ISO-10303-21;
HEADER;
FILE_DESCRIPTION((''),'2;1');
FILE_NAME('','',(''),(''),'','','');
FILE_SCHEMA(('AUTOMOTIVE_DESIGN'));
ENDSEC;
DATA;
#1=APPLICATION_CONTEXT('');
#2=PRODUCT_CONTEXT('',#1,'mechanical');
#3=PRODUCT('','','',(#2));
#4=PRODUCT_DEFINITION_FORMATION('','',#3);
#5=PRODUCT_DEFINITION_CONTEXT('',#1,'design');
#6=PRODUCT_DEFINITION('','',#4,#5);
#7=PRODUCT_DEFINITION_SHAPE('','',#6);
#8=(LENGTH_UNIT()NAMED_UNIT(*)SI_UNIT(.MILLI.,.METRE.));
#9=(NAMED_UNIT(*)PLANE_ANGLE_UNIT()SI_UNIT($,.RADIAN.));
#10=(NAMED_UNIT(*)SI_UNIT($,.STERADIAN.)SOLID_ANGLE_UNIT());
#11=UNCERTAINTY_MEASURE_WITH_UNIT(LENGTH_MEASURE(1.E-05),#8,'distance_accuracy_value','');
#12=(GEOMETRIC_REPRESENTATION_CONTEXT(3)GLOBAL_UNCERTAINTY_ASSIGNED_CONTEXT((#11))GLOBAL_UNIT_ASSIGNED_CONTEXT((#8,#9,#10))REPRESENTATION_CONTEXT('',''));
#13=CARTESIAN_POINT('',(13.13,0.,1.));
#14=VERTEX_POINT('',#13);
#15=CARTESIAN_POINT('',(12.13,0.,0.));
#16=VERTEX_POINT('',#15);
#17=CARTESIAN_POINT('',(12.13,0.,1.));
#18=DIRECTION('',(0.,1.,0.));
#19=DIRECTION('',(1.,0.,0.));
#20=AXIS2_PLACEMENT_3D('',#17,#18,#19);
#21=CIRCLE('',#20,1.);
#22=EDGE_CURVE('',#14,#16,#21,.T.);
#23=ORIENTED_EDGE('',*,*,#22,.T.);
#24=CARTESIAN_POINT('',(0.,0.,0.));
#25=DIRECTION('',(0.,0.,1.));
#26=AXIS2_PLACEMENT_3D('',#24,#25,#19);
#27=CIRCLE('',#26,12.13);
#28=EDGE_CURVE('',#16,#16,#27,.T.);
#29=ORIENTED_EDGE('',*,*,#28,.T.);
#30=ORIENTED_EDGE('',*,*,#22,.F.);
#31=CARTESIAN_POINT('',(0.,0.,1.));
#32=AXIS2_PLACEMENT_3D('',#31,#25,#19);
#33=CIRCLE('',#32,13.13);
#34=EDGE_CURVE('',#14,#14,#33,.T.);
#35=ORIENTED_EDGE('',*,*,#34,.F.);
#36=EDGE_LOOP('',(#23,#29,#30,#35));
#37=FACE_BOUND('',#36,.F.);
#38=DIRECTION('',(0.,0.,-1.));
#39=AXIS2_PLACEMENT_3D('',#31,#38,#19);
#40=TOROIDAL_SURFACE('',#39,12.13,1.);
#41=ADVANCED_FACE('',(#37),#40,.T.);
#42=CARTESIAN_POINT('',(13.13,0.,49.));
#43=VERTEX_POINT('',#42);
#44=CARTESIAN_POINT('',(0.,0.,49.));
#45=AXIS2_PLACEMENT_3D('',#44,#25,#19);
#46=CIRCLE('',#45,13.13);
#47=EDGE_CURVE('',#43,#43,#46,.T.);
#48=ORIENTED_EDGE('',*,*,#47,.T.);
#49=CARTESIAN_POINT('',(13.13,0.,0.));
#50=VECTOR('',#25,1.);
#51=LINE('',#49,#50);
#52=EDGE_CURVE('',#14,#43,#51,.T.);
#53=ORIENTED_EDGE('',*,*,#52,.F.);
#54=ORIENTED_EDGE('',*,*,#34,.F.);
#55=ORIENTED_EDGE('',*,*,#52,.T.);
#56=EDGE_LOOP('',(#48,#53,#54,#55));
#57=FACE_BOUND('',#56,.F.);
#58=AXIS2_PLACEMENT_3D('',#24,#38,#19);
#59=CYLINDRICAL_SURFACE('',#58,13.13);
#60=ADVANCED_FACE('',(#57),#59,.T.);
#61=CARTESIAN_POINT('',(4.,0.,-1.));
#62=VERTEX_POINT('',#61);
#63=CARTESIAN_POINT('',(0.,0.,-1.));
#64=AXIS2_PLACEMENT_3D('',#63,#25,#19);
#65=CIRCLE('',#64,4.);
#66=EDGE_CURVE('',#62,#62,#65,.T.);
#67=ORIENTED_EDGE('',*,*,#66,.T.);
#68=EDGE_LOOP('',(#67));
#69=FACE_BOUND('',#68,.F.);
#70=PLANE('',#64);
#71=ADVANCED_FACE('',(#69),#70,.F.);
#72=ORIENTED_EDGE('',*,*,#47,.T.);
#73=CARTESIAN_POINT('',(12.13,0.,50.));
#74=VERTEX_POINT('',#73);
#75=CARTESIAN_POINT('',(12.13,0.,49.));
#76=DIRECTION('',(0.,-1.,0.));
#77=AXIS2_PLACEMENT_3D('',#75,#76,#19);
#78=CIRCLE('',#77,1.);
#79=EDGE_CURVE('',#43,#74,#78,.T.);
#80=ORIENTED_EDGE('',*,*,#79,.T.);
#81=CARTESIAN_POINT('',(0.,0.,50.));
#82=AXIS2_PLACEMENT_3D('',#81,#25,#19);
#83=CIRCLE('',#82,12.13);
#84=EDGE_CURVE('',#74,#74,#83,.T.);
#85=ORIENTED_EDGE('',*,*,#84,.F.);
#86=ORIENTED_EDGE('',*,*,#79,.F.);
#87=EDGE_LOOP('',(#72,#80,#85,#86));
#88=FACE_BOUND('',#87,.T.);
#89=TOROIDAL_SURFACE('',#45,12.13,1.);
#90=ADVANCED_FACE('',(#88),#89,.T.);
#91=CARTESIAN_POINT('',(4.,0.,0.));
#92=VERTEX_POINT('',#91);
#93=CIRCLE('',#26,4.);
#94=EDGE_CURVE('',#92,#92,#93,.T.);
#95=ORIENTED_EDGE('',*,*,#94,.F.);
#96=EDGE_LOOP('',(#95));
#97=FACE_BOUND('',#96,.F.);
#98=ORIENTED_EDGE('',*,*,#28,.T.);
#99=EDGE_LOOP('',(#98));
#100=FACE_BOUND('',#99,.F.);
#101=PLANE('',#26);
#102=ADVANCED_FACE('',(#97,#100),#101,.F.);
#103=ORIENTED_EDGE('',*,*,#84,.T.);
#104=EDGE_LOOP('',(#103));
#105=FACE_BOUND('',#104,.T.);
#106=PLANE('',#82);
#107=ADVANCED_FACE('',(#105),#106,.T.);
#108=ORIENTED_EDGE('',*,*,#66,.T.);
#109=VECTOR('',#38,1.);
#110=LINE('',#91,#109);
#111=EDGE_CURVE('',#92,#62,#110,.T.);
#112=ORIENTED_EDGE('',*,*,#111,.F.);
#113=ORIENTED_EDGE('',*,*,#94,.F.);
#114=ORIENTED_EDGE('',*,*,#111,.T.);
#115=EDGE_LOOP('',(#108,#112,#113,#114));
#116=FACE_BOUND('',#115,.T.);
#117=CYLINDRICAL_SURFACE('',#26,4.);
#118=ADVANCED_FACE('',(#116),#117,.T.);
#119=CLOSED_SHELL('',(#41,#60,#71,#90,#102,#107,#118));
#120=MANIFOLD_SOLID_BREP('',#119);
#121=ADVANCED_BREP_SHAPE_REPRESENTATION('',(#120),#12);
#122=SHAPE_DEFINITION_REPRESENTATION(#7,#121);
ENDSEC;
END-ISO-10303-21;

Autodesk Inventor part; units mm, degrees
ref_plane "YZ Plane" through (0, 0, 0) normal (1, 0, 0) x (0, 1, 0)
ref_plane "XZ Plane" through (0, 0, 0) normal (0, 1, 0) x (-1, 0, 0)
ref_plane "XY Plane" through (0, 0, 0) normal (0, 0, 1) x (1, 0, 0)
sketch "Skizze1" plane through (0, 0, 0) normal (0, 0, 1) x (1, 0, 0)
  circle A0 centre (0, 0) radius 13.13
  circle A1 centre (0, 0) radius 4
  dimension "d0" = 26.26
  dimension "d3" = 8
extrude "Extrusion1" add sketch "Skizze1" along normal blind 50 contours A0 | A1
extrude "Extrusion2" add sketch "Skizze1" against normal blind 1 contours A1
fillet "Rundung1" radius 1 2 edges at (-13.13, 0, 0) (-13.13, 0, 50)
properties part number "LG INR18650MJ1"
